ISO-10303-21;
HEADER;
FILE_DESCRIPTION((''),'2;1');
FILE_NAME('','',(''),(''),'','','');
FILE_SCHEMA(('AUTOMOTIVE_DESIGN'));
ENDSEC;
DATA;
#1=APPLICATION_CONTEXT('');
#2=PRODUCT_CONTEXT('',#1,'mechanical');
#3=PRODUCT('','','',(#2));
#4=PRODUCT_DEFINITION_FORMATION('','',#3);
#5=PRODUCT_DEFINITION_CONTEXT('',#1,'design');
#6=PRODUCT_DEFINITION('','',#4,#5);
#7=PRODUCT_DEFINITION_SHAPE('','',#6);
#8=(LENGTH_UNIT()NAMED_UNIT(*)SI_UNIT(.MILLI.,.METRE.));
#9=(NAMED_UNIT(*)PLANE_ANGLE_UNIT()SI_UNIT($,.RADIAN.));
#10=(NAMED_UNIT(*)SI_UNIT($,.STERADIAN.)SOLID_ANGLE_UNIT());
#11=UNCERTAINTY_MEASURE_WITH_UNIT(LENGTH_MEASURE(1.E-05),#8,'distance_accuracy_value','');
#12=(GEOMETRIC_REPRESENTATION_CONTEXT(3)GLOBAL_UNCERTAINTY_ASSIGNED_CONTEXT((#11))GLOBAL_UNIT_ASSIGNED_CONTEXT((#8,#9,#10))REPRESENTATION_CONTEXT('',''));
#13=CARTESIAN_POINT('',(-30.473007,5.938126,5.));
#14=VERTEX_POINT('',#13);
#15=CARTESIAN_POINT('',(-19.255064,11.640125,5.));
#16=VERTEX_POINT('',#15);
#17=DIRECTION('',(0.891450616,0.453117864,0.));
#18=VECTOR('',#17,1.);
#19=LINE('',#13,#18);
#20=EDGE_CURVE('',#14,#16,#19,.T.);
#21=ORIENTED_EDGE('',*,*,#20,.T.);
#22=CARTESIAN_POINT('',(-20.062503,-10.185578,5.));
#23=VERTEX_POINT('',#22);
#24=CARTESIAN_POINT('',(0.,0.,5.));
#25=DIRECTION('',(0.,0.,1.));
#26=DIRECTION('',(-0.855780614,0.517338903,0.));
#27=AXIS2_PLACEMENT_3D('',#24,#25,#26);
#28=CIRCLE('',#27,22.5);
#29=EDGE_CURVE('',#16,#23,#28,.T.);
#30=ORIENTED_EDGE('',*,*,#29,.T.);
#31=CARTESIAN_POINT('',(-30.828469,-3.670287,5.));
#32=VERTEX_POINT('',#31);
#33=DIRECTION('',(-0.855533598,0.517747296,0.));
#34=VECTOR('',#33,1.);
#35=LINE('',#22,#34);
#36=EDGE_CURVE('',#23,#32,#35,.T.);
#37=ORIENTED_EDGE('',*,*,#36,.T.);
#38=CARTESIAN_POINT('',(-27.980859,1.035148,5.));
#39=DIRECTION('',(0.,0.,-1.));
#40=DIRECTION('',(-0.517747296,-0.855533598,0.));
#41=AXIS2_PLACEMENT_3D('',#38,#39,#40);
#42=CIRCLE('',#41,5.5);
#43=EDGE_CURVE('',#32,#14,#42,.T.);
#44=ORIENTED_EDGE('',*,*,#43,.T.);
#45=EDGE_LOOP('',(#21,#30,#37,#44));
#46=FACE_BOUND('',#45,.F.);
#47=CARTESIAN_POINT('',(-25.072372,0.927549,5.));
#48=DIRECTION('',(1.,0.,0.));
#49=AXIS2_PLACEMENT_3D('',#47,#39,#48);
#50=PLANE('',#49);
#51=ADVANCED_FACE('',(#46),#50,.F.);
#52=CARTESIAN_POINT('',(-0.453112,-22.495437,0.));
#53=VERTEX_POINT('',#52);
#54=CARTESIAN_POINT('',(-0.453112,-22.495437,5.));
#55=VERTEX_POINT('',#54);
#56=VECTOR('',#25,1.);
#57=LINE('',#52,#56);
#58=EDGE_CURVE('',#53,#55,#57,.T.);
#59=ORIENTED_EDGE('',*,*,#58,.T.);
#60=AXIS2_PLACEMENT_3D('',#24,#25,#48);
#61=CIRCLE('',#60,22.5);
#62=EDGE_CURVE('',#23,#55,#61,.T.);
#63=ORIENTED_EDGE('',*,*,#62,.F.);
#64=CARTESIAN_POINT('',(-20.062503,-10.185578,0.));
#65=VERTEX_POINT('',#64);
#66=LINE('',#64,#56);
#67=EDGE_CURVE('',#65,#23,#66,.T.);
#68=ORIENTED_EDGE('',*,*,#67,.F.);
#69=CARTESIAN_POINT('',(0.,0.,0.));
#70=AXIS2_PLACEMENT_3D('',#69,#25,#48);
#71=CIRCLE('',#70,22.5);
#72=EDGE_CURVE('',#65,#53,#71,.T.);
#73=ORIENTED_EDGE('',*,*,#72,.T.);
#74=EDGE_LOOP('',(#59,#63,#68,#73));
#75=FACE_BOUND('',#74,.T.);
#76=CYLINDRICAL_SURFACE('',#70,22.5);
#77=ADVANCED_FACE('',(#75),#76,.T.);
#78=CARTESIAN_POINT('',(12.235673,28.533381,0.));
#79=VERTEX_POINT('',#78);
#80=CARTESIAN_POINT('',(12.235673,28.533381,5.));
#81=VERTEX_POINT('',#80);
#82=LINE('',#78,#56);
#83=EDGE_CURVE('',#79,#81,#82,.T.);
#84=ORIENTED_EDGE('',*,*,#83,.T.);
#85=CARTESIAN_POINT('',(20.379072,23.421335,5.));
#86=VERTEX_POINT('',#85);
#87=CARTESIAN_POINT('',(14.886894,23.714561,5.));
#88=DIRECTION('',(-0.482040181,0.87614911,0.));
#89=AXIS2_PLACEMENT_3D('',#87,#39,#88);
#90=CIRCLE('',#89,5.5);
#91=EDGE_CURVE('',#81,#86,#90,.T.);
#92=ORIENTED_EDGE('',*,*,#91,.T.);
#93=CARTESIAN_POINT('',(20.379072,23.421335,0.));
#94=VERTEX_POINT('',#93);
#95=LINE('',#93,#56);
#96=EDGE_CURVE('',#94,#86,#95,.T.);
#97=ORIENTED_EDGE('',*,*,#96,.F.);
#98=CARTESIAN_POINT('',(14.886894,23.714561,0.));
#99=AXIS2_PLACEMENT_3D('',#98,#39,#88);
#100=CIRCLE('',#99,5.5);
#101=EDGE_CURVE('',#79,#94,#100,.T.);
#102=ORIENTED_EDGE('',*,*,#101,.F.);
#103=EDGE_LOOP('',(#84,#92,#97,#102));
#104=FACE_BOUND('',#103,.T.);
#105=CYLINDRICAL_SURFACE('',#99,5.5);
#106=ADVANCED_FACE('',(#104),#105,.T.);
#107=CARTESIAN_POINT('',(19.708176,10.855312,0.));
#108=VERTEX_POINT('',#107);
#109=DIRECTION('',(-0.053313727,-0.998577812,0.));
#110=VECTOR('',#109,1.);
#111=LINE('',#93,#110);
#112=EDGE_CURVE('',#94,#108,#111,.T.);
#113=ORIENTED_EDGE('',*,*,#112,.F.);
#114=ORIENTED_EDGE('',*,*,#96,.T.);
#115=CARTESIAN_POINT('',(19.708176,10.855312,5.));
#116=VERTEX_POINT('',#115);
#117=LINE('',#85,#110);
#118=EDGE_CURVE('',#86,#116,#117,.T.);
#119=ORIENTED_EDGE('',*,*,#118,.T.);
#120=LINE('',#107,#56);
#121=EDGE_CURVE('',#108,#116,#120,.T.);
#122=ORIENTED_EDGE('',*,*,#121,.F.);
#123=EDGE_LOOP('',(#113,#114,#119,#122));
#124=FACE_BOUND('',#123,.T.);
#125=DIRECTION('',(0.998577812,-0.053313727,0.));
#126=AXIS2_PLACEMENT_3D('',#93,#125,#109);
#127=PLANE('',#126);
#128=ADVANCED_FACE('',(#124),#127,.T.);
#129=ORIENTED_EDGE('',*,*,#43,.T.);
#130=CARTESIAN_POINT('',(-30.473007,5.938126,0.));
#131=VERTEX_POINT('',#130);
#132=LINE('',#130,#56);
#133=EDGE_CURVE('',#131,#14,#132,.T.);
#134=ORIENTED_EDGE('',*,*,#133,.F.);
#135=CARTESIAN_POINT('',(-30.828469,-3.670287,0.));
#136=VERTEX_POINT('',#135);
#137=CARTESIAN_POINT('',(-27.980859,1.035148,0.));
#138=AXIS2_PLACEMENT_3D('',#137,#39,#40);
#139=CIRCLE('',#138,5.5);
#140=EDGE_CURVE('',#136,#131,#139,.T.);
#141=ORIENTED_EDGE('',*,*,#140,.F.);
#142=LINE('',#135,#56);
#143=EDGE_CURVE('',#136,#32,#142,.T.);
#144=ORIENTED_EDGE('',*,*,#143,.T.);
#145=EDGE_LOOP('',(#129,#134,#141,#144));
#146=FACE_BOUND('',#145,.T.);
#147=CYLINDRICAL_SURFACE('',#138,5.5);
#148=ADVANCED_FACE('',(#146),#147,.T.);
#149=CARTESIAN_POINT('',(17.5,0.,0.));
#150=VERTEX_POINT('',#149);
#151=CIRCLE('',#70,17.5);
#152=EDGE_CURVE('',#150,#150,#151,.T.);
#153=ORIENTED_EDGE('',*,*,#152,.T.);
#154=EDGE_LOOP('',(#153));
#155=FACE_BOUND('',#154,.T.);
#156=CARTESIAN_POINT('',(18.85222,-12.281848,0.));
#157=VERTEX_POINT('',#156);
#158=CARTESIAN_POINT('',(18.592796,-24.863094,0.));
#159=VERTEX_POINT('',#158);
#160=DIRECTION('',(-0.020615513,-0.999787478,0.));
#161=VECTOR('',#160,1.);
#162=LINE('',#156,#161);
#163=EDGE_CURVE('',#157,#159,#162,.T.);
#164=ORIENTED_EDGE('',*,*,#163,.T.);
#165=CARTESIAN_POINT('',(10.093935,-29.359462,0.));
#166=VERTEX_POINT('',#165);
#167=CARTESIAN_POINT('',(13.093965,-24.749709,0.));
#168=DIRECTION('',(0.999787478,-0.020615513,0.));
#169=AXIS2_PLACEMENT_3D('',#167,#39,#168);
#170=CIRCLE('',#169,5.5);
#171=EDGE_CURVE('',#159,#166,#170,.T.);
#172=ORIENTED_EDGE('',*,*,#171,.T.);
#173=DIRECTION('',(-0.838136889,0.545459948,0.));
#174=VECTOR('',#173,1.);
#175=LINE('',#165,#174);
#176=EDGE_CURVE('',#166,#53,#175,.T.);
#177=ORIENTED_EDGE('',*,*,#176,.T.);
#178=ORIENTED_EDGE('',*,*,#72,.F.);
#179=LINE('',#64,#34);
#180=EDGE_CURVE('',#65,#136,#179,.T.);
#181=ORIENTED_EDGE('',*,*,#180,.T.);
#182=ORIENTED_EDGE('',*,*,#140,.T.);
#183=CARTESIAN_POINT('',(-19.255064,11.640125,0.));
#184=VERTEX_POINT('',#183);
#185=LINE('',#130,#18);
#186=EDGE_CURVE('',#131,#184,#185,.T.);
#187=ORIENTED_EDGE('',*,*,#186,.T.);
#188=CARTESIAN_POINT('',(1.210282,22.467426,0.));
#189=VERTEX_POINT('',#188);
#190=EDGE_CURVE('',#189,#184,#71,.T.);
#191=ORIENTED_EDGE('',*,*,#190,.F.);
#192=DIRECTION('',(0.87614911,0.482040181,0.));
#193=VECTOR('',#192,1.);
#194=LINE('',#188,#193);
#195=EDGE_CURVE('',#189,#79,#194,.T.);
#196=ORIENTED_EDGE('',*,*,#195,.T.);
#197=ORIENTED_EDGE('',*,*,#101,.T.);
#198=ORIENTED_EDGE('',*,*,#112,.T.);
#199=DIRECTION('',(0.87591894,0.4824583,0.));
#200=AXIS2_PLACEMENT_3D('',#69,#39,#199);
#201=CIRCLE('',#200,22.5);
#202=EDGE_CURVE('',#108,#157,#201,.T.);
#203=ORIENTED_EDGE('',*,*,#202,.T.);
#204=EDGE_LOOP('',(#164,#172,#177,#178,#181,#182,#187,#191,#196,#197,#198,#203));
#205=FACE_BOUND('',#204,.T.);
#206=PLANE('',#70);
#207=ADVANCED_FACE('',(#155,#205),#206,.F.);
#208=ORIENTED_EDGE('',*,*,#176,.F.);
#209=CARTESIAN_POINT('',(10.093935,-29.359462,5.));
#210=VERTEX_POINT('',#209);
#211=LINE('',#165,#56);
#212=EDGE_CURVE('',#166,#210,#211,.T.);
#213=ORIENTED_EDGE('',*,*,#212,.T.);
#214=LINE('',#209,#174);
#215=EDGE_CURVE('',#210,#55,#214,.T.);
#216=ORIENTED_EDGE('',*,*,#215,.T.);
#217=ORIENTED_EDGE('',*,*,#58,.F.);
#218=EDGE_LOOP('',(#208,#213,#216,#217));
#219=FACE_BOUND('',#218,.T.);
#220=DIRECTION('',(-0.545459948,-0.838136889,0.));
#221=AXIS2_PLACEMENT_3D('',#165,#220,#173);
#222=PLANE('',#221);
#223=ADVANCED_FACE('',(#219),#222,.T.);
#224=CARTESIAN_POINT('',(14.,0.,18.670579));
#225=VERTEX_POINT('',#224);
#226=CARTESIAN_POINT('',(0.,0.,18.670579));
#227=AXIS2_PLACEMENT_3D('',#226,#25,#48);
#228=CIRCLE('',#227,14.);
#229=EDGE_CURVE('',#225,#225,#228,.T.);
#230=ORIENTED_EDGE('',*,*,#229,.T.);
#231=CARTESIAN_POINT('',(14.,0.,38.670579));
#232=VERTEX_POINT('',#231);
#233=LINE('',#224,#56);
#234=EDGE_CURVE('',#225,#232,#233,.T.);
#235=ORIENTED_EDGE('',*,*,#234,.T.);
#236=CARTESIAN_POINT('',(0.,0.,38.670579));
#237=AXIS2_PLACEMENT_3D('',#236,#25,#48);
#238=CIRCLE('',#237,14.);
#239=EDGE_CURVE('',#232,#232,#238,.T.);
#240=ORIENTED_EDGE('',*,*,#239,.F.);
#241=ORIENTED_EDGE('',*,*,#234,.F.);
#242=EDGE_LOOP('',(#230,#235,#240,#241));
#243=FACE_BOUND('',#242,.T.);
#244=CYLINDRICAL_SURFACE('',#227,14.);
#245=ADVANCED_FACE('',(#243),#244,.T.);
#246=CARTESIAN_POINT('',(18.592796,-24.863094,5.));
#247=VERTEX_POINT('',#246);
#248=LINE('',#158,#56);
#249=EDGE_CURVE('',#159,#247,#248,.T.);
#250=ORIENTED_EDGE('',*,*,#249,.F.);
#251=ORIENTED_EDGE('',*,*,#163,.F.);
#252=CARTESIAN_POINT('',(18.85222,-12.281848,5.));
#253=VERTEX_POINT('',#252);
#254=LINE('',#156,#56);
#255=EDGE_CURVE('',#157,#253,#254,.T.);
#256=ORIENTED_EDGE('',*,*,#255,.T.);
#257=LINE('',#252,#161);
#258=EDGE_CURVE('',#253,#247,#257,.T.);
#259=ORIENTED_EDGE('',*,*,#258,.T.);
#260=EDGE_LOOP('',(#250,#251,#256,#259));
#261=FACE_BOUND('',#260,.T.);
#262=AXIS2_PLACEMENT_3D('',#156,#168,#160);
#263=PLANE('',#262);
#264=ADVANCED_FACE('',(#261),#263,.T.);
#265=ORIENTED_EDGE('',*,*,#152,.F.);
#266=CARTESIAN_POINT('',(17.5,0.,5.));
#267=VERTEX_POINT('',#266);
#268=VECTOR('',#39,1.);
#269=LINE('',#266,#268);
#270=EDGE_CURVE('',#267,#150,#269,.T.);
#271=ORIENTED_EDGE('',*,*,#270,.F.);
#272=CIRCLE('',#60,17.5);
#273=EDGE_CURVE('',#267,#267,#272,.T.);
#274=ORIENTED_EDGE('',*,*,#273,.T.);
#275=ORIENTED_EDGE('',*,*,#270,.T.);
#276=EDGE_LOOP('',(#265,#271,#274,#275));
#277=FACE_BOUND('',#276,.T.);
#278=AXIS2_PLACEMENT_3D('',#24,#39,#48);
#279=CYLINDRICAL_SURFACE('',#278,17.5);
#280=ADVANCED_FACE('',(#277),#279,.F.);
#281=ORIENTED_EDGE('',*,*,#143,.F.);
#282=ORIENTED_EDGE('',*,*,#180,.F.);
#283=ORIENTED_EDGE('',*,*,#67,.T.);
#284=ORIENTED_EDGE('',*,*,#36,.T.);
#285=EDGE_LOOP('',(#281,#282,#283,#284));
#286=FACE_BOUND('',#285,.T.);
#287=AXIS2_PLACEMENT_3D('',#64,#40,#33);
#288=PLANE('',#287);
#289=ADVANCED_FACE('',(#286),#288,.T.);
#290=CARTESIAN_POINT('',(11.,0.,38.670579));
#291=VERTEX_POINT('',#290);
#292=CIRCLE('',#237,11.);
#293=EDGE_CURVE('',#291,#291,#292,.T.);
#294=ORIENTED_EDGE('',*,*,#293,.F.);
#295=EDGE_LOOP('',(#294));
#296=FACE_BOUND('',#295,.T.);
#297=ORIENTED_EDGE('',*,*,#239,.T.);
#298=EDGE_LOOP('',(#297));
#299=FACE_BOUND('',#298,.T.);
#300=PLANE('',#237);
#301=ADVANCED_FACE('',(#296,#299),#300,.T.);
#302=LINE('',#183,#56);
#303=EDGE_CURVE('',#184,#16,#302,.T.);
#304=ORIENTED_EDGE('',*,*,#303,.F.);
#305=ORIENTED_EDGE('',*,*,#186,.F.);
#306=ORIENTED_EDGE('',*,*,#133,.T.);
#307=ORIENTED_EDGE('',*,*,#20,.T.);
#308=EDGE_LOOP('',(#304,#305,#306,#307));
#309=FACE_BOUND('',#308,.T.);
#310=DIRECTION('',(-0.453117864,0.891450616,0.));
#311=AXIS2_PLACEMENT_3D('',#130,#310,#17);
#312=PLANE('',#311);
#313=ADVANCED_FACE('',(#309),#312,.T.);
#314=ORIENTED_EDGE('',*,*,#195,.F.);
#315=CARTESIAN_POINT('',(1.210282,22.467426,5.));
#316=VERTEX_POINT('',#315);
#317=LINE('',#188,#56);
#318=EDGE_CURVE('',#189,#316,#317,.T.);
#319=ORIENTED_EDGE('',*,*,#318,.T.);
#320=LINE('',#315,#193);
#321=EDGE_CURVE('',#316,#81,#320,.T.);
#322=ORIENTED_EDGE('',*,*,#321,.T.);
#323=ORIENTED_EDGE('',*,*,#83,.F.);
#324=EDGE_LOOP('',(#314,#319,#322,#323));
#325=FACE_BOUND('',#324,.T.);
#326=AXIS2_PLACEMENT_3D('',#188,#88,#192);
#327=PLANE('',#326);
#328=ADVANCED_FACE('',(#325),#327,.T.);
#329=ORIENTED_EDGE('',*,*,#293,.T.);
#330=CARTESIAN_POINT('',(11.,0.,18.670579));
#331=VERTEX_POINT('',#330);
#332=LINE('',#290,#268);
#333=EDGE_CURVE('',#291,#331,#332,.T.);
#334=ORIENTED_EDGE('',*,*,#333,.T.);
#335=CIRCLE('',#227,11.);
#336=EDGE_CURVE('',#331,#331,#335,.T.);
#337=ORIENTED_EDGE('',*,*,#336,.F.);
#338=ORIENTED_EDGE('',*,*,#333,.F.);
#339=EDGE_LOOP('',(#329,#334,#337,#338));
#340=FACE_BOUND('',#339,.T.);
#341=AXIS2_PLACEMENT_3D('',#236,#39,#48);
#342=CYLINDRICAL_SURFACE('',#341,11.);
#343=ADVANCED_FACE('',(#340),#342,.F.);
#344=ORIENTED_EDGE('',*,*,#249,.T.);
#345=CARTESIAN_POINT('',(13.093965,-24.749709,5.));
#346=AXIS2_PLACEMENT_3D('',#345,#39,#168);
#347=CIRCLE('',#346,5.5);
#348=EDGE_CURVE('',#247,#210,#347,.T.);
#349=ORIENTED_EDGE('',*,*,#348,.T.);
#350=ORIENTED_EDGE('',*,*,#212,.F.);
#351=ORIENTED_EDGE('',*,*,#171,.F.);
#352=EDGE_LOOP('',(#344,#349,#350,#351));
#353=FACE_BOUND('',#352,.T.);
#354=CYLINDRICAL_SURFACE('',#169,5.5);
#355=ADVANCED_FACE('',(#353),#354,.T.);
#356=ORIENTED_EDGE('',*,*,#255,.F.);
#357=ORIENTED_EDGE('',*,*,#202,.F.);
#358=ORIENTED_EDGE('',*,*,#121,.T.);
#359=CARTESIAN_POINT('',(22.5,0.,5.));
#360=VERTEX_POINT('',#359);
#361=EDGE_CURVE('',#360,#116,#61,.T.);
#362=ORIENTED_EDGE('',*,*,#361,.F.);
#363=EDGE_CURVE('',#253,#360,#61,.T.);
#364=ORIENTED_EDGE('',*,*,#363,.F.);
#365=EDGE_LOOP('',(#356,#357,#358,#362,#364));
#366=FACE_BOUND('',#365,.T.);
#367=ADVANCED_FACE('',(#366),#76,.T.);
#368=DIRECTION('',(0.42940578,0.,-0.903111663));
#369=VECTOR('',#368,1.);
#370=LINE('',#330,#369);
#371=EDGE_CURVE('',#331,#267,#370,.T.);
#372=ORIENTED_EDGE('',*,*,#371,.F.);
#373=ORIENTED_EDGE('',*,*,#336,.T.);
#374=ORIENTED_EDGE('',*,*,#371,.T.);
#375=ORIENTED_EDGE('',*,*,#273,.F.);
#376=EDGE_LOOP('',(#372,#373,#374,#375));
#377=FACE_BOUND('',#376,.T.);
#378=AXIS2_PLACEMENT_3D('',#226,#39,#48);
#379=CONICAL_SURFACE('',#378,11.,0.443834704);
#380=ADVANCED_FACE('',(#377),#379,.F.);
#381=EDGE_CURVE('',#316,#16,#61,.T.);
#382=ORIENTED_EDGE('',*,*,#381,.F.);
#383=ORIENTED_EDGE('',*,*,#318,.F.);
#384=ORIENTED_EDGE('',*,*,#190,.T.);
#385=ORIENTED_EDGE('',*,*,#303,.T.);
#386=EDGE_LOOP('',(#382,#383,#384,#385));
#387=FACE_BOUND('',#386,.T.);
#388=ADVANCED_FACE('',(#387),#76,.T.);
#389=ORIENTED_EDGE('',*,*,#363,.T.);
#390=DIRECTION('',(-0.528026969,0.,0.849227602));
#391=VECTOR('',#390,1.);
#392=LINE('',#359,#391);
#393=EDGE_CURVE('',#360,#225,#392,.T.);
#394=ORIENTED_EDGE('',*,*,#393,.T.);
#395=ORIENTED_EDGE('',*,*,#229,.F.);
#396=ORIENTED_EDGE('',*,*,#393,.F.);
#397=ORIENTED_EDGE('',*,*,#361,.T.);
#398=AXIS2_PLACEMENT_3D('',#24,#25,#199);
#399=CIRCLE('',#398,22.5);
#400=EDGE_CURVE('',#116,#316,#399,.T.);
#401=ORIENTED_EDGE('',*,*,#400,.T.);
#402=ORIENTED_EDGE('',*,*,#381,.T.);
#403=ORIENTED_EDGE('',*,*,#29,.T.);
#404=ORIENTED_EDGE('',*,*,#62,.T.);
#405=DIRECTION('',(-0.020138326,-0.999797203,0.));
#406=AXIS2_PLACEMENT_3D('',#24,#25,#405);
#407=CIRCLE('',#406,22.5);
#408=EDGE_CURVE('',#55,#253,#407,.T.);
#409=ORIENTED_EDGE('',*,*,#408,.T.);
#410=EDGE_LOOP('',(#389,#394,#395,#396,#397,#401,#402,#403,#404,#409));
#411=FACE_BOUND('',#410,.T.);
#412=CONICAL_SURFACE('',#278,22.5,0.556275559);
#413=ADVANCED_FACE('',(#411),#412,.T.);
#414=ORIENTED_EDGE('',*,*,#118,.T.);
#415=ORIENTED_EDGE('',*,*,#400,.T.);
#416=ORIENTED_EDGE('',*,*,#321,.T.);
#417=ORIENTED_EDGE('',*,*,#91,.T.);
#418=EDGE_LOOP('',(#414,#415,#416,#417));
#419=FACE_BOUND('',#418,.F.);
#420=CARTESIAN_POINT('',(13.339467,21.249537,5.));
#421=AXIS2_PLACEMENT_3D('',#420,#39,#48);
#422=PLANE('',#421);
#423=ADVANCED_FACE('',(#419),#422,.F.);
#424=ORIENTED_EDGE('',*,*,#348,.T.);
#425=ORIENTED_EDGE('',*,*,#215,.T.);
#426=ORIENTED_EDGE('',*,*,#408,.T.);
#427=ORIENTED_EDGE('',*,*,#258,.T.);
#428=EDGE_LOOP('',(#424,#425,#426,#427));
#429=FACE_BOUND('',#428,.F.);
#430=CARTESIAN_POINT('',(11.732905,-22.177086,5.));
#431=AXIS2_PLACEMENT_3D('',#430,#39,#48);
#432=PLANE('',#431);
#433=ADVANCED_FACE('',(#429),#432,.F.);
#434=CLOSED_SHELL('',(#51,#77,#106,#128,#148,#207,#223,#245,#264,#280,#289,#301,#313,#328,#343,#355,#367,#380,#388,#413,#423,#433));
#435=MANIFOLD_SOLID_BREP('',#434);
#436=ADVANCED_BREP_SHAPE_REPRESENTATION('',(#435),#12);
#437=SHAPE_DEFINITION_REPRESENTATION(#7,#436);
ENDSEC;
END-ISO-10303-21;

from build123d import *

# Parameters (mm, degrees)
F3_DEPTH = 5


with BuildPart() as f1:
    # F0 (on Front) → F1 (revolve)
    with BuildSketch(Plane.XZ):
        Polygon((17.5, 5), (17.5, 0), (22.5, 0), (22.5, 5), (14, 18.6705794185), (14, 38.6705794185), (11, 38.6705794185), (11, 18.6705794185), align=None)
    revolve(axis=Axis((0, 0, 27.3248925805), (0, 0, 1)))

    # F2 (on face) → F3 (join)
    with BuildSketch(Plane(origin=(0, 0, 0), x_dir=(1, 0, 0), z_dir=(0, 0, -1))):
        with BuildLine():
            Line((-20.0625025864, 10.1855775473), (-30.8284691029, 3.6702868888))
            ThreePointArc((-30.8284691029, 3.6702868888), (-33.4770991276, -1.2384805223), (-30.4730072235, -5.9381262893))
            Line((-30.4730072235, -5.9381262893), (-19.2550638119, -11.6401253258))
            ThreePointArc((-19.2550638119, -11.6401253258), (-22.484618817, -0.8318152762), (-20.0625025864, 10.1855775473))
        make_face()
        with BuildLine():
            ThreePointArc((19.7081761413, -10.8553117497), (11.9626825689, -19.0563434519), (1.2102823851, -22.4674256769))
            Line((1.2102823851, -22.4674256769), (12.2356728666, -28.5333808473))
            ThreePointArc((12.2356728666, -28.5333808473), (17.8111051582, -28.3727780283), (20.3790718292, -23.4213352406))
            Line((20.3790718292, -23.4213352406), (19.7081761413, -10.8553117497))
        make_face()
        with BuildLine():
            ThreePointArc((-0.4531123294, 22.4954370755), (10.5219362481, 19.888158728), (18.8522202013, 12.2818481297))
            Line((18.8522202013, 12.2818481297), (18.5927962363, 24.8630939585))
            ThreePointArc((18.5927962363, 24.8630939585), (15.6659939694, 29.6112585506), (10.0939353944, 29.35946153))
            Line((10.0939353944, 29.35946153), (-0.4531123294, 22.4954370755))
        make_face()
    extrude(amount=-F3_DEPTH)


solid = f1.part
